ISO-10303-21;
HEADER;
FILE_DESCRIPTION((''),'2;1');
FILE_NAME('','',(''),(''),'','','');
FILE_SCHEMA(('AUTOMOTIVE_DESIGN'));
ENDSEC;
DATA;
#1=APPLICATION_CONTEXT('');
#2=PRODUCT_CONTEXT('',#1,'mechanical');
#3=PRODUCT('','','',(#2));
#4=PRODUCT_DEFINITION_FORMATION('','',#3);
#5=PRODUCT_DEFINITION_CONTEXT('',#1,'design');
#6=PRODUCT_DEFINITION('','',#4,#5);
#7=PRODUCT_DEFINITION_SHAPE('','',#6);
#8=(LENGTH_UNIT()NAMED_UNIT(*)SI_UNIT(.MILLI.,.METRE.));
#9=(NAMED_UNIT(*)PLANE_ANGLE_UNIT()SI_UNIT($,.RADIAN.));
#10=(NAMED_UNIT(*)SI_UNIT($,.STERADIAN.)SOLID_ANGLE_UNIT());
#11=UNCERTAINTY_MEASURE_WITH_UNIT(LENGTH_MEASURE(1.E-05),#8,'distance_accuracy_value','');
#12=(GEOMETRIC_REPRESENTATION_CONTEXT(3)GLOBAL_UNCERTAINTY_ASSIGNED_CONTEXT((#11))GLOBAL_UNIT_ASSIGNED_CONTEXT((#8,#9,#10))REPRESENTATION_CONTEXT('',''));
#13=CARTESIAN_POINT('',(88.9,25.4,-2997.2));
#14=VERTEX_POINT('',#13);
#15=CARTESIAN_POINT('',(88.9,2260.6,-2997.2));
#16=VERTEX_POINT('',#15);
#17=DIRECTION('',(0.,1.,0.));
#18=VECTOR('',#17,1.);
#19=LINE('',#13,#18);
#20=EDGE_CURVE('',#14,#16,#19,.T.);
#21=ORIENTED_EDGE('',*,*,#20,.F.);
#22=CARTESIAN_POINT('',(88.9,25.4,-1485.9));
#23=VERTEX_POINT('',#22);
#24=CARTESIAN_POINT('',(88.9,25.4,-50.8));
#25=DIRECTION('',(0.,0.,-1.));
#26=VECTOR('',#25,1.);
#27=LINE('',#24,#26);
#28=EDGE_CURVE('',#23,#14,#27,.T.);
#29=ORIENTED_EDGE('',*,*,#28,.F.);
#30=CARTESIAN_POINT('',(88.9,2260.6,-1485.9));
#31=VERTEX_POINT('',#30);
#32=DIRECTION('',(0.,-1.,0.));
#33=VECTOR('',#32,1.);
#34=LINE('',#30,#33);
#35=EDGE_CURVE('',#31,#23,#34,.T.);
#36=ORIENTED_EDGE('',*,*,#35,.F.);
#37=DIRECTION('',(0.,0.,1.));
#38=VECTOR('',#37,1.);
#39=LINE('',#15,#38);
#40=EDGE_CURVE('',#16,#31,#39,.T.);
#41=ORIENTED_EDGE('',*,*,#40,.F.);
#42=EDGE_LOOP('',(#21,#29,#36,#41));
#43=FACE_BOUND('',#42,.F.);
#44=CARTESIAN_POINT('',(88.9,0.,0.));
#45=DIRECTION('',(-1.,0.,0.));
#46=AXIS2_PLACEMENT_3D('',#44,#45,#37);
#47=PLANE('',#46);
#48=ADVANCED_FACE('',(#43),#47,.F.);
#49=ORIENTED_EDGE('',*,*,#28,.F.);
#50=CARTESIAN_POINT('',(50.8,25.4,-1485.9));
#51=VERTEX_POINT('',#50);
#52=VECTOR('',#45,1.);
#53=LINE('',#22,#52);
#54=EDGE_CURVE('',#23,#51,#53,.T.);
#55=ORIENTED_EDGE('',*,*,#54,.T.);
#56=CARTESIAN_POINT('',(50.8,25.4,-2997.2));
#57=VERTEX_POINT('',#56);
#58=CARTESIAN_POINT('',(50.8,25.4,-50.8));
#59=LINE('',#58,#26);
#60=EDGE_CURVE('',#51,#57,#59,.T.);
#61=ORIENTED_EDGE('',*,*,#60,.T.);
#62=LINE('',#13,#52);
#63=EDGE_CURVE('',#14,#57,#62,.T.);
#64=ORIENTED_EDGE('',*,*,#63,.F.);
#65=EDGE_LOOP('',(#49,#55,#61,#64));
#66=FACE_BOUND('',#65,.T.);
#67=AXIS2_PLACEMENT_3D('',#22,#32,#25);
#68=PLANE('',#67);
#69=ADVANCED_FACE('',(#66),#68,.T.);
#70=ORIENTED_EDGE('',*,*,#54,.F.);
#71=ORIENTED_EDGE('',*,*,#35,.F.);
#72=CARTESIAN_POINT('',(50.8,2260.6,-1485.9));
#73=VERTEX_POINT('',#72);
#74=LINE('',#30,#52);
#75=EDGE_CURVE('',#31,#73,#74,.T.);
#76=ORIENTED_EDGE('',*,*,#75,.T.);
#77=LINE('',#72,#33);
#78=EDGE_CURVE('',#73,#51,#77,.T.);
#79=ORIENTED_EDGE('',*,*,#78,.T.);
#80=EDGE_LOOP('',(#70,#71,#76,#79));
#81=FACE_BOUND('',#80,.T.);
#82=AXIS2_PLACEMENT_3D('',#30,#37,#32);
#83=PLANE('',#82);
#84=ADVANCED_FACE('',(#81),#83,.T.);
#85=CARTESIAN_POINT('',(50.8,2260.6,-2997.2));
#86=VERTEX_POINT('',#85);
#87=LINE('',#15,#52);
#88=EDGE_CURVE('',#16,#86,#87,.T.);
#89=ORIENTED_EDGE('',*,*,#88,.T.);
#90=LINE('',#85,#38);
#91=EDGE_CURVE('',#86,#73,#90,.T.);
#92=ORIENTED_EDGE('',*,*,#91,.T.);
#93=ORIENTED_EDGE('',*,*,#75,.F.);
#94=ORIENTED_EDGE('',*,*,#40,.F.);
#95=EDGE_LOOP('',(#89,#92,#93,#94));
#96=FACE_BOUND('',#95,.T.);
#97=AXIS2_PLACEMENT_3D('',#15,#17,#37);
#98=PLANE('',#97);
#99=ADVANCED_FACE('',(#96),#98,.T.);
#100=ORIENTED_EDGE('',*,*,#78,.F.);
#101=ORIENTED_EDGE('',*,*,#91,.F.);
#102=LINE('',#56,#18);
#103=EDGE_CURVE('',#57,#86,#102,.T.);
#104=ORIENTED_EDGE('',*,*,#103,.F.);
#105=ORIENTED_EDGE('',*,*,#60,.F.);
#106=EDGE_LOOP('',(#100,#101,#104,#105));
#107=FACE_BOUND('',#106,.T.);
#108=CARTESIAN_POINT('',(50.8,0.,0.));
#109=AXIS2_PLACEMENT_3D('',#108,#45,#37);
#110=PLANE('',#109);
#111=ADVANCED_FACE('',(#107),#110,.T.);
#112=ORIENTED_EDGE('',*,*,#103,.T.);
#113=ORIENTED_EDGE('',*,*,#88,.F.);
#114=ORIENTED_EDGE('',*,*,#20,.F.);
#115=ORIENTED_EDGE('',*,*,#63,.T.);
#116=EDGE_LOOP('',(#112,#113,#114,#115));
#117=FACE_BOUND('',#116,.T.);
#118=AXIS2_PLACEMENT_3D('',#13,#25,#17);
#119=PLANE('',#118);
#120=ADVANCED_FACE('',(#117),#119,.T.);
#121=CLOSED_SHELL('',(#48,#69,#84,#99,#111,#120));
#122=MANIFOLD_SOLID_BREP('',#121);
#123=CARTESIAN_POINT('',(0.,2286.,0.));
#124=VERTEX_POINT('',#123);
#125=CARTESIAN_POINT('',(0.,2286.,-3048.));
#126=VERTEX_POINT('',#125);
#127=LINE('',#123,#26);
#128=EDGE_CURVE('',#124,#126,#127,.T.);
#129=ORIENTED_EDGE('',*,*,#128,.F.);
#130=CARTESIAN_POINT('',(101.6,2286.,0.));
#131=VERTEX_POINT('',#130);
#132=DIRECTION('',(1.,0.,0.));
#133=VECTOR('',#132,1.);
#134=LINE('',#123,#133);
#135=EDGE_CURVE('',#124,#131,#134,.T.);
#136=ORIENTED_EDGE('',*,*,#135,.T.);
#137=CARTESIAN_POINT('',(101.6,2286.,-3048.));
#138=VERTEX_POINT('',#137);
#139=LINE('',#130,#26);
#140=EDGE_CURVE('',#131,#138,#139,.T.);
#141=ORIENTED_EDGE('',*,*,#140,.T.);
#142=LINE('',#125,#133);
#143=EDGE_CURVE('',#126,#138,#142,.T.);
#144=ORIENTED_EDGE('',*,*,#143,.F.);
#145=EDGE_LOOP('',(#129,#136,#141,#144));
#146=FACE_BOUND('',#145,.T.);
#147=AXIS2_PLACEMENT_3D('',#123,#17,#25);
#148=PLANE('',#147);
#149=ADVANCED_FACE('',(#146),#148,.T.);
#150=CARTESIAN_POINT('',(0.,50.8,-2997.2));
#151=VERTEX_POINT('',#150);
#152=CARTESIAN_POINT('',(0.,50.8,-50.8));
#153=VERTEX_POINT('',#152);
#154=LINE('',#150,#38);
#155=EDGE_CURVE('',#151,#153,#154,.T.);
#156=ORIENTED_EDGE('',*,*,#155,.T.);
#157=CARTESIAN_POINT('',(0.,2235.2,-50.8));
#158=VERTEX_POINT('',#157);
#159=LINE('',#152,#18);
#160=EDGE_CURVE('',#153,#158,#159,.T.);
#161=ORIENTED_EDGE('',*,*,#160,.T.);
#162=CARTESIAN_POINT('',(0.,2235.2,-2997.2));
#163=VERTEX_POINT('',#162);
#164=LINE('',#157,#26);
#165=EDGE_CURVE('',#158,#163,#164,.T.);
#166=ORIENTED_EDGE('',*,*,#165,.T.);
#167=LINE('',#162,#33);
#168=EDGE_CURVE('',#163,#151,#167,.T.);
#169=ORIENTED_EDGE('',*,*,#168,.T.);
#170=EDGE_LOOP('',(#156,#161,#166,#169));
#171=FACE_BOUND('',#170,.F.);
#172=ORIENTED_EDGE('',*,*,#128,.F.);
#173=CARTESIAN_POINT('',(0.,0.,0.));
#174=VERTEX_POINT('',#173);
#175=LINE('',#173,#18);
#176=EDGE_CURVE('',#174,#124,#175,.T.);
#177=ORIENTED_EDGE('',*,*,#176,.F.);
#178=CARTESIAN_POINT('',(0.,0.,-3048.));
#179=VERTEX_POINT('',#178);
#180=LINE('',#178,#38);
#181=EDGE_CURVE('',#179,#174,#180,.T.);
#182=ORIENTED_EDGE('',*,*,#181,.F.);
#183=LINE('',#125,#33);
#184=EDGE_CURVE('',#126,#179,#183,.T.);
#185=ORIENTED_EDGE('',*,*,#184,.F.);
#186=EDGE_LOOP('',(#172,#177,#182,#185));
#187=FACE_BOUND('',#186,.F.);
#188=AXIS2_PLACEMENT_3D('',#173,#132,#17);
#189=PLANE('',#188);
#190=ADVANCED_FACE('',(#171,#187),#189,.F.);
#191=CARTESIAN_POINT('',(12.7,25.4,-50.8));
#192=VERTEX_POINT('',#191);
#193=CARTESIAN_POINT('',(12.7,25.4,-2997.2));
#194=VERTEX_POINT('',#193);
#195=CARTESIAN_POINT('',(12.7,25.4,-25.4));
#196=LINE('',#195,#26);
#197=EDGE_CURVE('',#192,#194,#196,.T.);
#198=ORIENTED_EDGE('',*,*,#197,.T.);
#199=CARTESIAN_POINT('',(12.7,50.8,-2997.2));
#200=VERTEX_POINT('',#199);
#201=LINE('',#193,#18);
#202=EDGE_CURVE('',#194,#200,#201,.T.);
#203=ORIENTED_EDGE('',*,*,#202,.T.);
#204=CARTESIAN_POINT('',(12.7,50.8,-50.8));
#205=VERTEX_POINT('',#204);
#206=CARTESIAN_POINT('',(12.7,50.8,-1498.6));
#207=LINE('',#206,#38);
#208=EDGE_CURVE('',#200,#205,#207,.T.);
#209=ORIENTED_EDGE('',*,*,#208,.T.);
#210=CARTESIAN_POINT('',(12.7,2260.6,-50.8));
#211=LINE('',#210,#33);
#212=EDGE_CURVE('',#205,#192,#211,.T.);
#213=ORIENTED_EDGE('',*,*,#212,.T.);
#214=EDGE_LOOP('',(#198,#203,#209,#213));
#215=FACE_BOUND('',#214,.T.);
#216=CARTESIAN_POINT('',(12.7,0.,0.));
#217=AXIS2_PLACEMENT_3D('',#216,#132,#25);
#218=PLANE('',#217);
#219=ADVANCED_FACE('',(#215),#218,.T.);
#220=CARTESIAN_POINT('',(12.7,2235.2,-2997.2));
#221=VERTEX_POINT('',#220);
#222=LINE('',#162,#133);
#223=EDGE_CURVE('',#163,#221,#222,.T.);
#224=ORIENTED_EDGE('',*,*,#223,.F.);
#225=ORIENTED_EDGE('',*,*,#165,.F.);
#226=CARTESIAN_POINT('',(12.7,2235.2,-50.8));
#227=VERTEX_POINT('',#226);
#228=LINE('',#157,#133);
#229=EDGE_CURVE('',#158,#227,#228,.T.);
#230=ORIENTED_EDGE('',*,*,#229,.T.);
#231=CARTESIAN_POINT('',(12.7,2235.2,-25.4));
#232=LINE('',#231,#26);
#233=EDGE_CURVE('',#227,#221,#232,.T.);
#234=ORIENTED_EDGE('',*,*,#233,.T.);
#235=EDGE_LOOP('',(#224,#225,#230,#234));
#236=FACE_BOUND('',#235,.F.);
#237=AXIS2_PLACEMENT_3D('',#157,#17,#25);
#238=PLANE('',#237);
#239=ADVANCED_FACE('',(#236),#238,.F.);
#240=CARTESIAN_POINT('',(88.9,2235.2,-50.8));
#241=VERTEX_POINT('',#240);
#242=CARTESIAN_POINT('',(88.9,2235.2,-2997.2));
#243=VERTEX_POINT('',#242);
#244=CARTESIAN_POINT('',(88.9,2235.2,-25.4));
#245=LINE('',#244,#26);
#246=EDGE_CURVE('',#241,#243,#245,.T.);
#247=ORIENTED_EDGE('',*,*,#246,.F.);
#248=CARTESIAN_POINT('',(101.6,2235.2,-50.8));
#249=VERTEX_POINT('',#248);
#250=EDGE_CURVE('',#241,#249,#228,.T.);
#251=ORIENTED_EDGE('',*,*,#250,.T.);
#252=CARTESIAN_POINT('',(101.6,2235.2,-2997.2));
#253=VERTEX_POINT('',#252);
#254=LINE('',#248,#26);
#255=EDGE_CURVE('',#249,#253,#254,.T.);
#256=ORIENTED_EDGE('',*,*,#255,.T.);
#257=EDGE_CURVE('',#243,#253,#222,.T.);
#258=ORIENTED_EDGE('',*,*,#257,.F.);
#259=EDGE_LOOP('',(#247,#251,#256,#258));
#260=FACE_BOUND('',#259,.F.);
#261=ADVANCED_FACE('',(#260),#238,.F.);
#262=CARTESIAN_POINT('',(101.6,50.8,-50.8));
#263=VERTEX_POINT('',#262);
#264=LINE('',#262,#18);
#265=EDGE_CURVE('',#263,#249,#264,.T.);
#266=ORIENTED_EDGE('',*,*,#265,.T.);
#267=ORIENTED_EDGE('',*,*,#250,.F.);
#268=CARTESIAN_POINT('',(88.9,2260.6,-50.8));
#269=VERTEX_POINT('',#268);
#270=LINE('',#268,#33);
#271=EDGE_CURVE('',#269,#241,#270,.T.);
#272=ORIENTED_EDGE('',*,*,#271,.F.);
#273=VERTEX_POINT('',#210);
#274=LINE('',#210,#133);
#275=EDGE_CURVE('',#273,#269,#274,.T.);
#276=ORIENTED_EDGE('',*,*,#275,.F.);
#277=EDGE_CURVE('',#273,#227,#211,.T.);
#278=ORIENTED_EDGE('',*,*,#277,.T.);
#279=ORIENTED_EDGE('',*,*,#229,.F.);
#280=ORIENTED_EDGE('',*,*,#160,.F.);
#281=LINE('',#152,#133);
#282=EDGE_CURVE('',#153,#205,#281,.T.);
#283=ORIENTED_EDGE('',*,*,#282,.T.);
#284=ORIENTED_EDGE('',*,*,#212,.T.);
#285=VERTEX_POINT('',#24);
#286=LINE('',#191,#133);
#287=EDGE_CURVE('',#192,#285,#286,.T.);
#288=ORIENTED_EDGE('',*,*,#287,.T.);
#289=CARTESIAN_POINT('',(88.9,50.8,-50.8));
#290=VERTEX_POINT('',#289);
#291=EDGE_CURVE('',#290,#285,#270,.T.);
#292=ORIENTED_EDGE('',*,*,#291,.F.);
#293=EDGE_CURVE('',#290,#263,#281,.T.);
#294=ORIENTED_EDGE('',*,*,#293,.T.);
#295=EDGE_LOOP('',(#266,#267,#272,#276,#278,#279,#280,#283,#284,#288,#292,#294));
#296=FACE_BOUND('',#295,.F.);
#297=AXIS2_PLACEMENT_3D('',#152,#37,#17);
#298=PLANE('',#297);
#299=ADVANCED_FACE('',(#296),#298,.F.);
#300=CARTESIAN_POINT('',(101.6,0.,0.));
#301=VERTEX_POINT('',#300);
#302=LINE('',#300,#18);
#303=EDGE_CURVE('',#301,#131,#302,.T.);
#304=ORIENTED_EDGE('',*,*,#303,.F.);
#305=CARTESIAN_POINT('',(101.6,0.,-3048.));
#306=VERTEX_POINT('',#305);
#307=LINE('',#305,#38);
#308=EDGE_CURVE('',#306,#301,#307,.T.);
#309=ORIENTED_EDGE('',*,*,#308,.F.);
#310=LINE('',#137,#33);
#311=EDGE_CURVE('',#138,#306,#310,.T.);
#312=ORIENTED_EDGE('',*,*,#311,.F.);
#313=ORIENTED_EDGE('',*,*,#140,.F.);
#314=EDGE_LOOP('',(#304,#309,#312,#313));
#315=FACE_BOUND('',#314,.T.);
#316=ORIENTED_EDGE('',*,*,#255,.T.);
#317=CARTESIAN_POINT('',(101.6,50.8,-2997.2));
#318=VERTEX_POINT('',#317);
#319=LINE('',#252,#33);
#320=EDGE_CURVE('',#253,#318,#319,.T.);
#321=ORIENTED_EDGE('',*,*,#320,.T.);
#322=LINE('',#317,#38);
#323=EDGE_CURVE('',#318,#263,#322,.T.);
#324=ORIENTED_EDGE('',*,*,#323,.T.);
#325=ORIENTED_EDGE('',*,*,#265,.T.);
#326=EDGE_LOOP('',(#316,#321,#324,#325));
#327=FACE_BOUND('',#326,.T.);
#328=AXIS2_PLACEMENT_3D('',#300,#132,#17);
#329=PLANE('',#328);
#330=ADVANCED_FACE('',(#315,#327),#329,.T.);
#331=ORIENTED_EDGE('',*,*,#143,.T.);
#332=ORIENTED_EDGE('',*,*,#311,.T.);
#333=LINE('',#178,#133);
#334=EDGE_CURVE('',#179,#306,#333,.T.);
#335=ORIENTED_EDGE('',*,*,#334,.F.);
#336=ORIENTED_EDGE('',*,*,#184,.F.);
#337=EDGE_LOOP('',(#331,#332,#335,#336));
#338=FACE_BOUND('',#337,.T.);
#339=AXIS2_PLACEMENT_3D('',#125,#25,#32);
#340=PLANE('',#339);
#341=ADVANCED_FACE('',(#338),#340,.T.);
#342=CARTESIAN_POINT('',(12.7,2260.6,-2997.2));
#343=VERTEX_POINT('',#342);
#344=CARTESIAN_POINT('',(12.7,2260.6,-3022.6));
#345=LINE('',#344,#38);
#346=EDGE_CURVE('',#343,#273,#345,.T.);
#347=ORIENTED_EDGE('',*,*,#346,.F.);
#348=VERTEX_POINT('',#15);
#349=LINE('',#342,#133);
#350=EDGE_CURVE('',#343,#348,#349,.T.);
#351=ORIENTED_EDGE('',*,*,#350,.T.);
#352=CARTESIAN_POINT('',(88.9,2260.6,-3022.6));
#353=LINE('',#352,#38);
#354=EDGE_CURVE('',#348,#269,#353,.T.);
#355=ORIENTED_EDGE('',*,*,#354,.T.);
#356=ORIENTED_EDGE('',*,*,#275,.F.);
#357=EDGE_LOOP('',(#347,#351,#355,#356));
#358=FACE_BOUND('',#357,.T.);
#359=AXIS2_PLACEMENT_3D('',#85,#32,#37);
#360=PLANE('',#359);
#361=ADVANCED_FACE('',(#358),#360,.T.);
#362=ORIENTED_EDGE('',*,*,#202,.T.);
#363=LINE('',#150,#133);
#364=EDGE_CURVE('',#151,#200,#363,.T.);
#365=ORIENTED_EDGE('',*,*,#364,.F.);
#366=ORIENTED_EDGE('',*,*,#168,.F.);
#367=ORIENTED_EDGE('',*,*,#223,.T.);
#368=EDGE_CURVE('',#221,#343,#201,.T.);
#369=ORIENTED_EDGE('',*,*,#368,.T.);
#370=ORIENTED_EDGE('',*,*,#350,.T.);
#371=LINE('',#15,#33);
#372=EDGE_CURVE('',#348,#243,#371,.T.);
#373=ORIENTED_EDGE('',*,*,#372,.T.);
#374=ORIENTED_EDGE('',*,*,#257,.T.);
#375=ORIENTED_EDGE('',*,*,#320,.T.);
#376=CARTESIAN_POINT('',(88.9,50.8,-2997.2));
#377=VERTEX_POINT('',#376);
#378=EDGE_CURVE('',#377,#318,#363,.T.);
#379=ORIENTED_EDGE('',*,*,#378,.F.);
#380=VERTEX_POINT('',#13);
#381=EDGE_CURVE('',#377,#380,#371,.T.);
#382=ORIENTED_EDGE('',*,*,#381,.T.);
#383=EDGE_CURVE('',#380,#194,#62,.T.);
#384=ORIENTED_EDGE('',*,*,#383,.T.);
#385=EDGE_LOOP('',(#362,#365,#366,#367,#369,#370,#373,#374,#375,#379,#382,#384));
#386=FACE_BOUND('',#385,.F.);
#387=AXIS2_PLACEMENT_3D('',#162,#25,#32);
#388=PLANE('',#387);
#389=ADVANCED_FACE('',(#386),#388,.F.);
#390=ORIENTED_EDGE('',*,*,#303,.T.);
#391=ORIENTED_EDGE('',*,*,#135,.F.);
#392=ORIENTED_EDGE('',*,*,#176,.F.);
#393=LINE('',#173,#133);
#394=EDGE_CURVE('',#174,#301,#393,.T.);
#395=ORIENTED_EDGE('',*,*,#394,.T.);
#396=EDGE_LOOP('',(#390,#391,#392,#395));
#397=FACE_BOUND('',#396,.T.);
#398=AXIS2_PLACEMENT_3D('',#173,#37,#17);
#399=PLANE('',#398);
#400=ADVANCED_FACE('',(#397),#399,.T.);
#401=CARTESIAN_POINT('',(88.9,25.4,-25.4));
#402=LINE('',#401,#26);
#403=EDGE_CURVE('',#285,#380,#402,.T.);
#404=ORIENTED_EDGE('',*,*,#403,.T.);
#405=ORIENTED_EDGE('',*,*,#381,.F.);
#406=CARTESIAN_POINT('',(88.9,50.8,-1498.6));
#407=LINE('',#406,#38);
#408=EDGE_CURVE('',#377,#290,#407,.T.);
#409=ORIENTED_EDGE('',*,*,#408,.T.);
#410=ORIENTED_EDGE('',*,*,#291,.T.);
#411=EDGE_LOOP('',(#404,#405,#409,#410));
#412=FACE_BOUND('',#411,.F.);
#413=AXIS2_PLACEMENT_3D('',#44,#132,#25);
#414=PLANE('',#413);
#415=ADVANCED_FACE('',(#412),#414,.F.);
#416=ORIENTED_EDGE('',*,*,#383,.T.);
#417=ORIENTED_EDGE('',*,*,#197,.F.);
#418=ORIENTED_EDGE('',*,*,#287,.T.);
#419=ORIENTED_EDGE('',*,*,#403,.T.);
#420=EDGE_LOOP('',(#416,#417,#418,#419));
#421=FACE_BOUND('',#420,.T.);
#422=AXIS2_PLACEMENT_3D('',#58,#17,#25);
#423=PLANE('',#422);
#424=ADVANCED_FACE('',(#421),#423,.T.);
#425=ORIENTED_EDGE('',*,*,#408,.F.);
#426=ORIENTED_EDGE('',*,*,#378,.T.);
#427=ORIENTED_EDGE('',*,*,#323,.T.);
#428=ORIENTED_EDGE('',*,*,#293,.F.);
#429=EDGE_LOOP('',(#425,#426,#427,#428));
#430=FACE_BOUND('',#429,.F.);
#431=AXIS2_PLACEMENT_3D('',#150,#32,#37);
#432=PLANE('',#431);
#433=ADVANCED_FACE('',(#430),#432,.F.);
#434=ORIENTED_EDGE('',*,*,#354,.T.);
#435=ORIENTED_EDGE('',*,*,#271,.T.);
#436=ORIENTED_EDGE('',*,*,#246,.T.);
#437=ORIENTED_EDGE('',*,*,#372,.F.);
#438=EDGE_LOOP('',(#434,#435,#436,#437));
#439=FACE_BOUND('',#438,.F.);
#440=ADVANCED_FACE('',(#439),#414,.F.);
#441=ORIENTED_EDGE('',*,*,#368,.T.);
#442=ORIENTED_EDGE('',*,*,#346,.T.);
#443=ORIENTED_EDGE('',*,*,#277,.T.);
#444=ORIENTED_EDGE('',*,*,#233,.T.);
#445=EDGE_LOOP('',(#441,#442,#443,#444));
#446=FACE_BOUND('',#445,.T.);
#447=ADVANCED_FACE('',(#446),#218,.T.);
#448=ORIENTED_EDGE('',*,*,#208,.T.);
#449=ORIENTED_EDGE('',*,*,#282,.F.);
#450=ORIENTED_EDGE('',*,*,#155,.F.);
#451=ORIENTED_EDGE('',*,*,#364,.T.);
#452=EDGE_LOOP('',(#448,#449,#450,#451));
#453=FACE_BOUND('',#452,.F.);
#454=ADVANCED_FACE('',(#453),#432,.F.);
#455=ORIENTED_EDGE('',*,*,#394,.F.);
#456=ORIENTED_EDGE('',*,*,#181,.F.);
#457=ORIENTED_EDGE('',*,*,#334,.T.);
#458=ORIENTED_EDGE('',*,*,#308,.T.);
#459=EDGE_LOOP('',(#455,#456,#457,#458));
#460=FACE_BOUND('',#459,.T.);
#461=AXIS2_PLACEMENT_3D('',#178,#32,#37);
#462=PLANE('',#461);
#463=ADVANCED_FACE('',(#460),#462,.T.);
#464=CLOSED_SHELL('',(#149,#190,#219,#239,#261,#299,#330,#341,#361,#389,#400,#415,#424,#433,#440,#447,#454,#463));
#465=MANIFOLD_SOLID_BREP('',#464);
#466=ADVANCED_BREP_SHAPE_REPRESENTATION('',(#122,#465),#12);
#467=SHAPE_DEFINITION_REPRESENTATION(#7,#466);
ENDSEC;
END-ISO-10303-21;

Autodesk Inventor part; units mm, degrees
ref_plane "YZ Plane" through (0, 0, 0) normal (1, 0, 0) x (0, 1, 0)
sketch "Sketch1" plane through (0, 0, 0) normal (1, 0, 0) x (0, 1, 0)
  line L0 (0, 0) -> (2286, 0)
  line L1 (2286, 0) -> (2286, -3048)
  line L2 (2286, -3048) -> (0, -3048)
  line L3 (0, -3048) -> (0, 0)
  line L4 (50.8, -50.8) -> (2235.2, -50.8)
  line L5 (2235.2, -50.8) -> (2235.2, -2997.2)
  line L6 (2235.2, -2997.2) -> (50.8, -2997.2)
  line L7 (50.8, -2997.2) -> (50.8, -50.8)
  point P0 (2235.2, -1524)
  point P1 (2286, -1524)
  point P2 (1143, -2997.2)
  point P3 (1143, -3048)
  dimension "d0" = 50.8
  dimension "d1" = 50.8
  dimension "d2" = 3048
  dimension "d3" = 2286
extrude "BaseFrame" add sketch "Sketch1" along normal blind 101.6
ref_plane "Work Plane1" through (50.8, 0, 0) normal (1, 0, 0) x (0, 0, -1)
sketch "Sketch2" plane through (50.8, 0, 0) normal (1, 0, 0) x (0, 0, -1)
  line L0 (0, 0) -> (0, 2286) construction
  line L1 (0, 2286) -> (3048, 2286) construction
  line L2 (3048, 2286) -> (3048, 0) construction
  line L3 (3048, 0) -> (0, 0) construction
  line L4 (3022.6, 2260.6) -> (25.4, 2260.6)
  line L5 (25.4, 2260.6) -> (25.4, 25.4) construction
  line L6 (25.4, 25.4) -> (3022.6, 25.4)
  line L7 (3022.6, 25.4) -> (3022.6, 2260.6) construction
  line L8 (2997.2, 50.8) -> (2997.2, 2235.2) projected
  line L9 (50.8, 2235.2) -> (50.8, 50.8) projected
  line L10 (50.8, 2235.2) -> (50.8, 2260.6)
  line L11 (2997.2, 2235.2) -> (2997.2, 2260.6)
  line L12 (2997.2, 50.8) -> (2997.2, 25.4)
  line L13 (50.8, 50.8) -> (50.8, 25.4)
  dimension "d6" = 25.4
extrude "DoorSlot" cut sketch "Sketch2" along normal mid plane 76.2
sketch "Sketch3" plane through (88.9, 0, 0) normal (-1, 0, 0) x (0, 0, 1)
  line L0 (-50.8, 25.4) -> (-2997.2, 25.4) projected
  line L1 (-2997.2, 2260.6) -> (-50.8, 2260.6) projected
  line L2 (-2997.2, 2260.6) -> (-1485.9, 2260.6)
  line L3 (-1485.9, 2260.6) -> (-1485.9, 25.4)
  line L4 (-1485.9, 25.4) -> (-2997.2, 25.4)
  line L5 (-2997.2, 25.4) -> (-2997.2, 2260.6)
  dimension "d9" = 1511.3
extrude "StationaryPanel" add sketch "Sketch3" along normal blind 38.1 separate body
ref_plane "Work Plane2" through (0, 0, -1524) normal (0, 0, 1) x (1, 0, 0)
mirror "MirrorRight" [suppressed]
mirror "MirrorRightExterior" [suppressed]
mirror "MirrorLeftExterior" [suppressed]
equation "\"d0\" = FrameWidth"
equation "\"d1\" = d0"
equation "\"d2\" = Width"
equation "\"d3\" = Height"
equation "\"d4\" = Depth"
equation "\"d6\" = 0.5 * FrameWidth"
equation "\"d7\" = 0.75 * Depth"
equation "\"d10\" = 0.375 * Depth"
equation "\"Width\" = 3048"
equation "\"Depth\" = 101.6"
equation "\"Height\" = 2286"
equation "\"FrameWidth\" = 50.8"
properties part number "SlidingDoorFrame"
